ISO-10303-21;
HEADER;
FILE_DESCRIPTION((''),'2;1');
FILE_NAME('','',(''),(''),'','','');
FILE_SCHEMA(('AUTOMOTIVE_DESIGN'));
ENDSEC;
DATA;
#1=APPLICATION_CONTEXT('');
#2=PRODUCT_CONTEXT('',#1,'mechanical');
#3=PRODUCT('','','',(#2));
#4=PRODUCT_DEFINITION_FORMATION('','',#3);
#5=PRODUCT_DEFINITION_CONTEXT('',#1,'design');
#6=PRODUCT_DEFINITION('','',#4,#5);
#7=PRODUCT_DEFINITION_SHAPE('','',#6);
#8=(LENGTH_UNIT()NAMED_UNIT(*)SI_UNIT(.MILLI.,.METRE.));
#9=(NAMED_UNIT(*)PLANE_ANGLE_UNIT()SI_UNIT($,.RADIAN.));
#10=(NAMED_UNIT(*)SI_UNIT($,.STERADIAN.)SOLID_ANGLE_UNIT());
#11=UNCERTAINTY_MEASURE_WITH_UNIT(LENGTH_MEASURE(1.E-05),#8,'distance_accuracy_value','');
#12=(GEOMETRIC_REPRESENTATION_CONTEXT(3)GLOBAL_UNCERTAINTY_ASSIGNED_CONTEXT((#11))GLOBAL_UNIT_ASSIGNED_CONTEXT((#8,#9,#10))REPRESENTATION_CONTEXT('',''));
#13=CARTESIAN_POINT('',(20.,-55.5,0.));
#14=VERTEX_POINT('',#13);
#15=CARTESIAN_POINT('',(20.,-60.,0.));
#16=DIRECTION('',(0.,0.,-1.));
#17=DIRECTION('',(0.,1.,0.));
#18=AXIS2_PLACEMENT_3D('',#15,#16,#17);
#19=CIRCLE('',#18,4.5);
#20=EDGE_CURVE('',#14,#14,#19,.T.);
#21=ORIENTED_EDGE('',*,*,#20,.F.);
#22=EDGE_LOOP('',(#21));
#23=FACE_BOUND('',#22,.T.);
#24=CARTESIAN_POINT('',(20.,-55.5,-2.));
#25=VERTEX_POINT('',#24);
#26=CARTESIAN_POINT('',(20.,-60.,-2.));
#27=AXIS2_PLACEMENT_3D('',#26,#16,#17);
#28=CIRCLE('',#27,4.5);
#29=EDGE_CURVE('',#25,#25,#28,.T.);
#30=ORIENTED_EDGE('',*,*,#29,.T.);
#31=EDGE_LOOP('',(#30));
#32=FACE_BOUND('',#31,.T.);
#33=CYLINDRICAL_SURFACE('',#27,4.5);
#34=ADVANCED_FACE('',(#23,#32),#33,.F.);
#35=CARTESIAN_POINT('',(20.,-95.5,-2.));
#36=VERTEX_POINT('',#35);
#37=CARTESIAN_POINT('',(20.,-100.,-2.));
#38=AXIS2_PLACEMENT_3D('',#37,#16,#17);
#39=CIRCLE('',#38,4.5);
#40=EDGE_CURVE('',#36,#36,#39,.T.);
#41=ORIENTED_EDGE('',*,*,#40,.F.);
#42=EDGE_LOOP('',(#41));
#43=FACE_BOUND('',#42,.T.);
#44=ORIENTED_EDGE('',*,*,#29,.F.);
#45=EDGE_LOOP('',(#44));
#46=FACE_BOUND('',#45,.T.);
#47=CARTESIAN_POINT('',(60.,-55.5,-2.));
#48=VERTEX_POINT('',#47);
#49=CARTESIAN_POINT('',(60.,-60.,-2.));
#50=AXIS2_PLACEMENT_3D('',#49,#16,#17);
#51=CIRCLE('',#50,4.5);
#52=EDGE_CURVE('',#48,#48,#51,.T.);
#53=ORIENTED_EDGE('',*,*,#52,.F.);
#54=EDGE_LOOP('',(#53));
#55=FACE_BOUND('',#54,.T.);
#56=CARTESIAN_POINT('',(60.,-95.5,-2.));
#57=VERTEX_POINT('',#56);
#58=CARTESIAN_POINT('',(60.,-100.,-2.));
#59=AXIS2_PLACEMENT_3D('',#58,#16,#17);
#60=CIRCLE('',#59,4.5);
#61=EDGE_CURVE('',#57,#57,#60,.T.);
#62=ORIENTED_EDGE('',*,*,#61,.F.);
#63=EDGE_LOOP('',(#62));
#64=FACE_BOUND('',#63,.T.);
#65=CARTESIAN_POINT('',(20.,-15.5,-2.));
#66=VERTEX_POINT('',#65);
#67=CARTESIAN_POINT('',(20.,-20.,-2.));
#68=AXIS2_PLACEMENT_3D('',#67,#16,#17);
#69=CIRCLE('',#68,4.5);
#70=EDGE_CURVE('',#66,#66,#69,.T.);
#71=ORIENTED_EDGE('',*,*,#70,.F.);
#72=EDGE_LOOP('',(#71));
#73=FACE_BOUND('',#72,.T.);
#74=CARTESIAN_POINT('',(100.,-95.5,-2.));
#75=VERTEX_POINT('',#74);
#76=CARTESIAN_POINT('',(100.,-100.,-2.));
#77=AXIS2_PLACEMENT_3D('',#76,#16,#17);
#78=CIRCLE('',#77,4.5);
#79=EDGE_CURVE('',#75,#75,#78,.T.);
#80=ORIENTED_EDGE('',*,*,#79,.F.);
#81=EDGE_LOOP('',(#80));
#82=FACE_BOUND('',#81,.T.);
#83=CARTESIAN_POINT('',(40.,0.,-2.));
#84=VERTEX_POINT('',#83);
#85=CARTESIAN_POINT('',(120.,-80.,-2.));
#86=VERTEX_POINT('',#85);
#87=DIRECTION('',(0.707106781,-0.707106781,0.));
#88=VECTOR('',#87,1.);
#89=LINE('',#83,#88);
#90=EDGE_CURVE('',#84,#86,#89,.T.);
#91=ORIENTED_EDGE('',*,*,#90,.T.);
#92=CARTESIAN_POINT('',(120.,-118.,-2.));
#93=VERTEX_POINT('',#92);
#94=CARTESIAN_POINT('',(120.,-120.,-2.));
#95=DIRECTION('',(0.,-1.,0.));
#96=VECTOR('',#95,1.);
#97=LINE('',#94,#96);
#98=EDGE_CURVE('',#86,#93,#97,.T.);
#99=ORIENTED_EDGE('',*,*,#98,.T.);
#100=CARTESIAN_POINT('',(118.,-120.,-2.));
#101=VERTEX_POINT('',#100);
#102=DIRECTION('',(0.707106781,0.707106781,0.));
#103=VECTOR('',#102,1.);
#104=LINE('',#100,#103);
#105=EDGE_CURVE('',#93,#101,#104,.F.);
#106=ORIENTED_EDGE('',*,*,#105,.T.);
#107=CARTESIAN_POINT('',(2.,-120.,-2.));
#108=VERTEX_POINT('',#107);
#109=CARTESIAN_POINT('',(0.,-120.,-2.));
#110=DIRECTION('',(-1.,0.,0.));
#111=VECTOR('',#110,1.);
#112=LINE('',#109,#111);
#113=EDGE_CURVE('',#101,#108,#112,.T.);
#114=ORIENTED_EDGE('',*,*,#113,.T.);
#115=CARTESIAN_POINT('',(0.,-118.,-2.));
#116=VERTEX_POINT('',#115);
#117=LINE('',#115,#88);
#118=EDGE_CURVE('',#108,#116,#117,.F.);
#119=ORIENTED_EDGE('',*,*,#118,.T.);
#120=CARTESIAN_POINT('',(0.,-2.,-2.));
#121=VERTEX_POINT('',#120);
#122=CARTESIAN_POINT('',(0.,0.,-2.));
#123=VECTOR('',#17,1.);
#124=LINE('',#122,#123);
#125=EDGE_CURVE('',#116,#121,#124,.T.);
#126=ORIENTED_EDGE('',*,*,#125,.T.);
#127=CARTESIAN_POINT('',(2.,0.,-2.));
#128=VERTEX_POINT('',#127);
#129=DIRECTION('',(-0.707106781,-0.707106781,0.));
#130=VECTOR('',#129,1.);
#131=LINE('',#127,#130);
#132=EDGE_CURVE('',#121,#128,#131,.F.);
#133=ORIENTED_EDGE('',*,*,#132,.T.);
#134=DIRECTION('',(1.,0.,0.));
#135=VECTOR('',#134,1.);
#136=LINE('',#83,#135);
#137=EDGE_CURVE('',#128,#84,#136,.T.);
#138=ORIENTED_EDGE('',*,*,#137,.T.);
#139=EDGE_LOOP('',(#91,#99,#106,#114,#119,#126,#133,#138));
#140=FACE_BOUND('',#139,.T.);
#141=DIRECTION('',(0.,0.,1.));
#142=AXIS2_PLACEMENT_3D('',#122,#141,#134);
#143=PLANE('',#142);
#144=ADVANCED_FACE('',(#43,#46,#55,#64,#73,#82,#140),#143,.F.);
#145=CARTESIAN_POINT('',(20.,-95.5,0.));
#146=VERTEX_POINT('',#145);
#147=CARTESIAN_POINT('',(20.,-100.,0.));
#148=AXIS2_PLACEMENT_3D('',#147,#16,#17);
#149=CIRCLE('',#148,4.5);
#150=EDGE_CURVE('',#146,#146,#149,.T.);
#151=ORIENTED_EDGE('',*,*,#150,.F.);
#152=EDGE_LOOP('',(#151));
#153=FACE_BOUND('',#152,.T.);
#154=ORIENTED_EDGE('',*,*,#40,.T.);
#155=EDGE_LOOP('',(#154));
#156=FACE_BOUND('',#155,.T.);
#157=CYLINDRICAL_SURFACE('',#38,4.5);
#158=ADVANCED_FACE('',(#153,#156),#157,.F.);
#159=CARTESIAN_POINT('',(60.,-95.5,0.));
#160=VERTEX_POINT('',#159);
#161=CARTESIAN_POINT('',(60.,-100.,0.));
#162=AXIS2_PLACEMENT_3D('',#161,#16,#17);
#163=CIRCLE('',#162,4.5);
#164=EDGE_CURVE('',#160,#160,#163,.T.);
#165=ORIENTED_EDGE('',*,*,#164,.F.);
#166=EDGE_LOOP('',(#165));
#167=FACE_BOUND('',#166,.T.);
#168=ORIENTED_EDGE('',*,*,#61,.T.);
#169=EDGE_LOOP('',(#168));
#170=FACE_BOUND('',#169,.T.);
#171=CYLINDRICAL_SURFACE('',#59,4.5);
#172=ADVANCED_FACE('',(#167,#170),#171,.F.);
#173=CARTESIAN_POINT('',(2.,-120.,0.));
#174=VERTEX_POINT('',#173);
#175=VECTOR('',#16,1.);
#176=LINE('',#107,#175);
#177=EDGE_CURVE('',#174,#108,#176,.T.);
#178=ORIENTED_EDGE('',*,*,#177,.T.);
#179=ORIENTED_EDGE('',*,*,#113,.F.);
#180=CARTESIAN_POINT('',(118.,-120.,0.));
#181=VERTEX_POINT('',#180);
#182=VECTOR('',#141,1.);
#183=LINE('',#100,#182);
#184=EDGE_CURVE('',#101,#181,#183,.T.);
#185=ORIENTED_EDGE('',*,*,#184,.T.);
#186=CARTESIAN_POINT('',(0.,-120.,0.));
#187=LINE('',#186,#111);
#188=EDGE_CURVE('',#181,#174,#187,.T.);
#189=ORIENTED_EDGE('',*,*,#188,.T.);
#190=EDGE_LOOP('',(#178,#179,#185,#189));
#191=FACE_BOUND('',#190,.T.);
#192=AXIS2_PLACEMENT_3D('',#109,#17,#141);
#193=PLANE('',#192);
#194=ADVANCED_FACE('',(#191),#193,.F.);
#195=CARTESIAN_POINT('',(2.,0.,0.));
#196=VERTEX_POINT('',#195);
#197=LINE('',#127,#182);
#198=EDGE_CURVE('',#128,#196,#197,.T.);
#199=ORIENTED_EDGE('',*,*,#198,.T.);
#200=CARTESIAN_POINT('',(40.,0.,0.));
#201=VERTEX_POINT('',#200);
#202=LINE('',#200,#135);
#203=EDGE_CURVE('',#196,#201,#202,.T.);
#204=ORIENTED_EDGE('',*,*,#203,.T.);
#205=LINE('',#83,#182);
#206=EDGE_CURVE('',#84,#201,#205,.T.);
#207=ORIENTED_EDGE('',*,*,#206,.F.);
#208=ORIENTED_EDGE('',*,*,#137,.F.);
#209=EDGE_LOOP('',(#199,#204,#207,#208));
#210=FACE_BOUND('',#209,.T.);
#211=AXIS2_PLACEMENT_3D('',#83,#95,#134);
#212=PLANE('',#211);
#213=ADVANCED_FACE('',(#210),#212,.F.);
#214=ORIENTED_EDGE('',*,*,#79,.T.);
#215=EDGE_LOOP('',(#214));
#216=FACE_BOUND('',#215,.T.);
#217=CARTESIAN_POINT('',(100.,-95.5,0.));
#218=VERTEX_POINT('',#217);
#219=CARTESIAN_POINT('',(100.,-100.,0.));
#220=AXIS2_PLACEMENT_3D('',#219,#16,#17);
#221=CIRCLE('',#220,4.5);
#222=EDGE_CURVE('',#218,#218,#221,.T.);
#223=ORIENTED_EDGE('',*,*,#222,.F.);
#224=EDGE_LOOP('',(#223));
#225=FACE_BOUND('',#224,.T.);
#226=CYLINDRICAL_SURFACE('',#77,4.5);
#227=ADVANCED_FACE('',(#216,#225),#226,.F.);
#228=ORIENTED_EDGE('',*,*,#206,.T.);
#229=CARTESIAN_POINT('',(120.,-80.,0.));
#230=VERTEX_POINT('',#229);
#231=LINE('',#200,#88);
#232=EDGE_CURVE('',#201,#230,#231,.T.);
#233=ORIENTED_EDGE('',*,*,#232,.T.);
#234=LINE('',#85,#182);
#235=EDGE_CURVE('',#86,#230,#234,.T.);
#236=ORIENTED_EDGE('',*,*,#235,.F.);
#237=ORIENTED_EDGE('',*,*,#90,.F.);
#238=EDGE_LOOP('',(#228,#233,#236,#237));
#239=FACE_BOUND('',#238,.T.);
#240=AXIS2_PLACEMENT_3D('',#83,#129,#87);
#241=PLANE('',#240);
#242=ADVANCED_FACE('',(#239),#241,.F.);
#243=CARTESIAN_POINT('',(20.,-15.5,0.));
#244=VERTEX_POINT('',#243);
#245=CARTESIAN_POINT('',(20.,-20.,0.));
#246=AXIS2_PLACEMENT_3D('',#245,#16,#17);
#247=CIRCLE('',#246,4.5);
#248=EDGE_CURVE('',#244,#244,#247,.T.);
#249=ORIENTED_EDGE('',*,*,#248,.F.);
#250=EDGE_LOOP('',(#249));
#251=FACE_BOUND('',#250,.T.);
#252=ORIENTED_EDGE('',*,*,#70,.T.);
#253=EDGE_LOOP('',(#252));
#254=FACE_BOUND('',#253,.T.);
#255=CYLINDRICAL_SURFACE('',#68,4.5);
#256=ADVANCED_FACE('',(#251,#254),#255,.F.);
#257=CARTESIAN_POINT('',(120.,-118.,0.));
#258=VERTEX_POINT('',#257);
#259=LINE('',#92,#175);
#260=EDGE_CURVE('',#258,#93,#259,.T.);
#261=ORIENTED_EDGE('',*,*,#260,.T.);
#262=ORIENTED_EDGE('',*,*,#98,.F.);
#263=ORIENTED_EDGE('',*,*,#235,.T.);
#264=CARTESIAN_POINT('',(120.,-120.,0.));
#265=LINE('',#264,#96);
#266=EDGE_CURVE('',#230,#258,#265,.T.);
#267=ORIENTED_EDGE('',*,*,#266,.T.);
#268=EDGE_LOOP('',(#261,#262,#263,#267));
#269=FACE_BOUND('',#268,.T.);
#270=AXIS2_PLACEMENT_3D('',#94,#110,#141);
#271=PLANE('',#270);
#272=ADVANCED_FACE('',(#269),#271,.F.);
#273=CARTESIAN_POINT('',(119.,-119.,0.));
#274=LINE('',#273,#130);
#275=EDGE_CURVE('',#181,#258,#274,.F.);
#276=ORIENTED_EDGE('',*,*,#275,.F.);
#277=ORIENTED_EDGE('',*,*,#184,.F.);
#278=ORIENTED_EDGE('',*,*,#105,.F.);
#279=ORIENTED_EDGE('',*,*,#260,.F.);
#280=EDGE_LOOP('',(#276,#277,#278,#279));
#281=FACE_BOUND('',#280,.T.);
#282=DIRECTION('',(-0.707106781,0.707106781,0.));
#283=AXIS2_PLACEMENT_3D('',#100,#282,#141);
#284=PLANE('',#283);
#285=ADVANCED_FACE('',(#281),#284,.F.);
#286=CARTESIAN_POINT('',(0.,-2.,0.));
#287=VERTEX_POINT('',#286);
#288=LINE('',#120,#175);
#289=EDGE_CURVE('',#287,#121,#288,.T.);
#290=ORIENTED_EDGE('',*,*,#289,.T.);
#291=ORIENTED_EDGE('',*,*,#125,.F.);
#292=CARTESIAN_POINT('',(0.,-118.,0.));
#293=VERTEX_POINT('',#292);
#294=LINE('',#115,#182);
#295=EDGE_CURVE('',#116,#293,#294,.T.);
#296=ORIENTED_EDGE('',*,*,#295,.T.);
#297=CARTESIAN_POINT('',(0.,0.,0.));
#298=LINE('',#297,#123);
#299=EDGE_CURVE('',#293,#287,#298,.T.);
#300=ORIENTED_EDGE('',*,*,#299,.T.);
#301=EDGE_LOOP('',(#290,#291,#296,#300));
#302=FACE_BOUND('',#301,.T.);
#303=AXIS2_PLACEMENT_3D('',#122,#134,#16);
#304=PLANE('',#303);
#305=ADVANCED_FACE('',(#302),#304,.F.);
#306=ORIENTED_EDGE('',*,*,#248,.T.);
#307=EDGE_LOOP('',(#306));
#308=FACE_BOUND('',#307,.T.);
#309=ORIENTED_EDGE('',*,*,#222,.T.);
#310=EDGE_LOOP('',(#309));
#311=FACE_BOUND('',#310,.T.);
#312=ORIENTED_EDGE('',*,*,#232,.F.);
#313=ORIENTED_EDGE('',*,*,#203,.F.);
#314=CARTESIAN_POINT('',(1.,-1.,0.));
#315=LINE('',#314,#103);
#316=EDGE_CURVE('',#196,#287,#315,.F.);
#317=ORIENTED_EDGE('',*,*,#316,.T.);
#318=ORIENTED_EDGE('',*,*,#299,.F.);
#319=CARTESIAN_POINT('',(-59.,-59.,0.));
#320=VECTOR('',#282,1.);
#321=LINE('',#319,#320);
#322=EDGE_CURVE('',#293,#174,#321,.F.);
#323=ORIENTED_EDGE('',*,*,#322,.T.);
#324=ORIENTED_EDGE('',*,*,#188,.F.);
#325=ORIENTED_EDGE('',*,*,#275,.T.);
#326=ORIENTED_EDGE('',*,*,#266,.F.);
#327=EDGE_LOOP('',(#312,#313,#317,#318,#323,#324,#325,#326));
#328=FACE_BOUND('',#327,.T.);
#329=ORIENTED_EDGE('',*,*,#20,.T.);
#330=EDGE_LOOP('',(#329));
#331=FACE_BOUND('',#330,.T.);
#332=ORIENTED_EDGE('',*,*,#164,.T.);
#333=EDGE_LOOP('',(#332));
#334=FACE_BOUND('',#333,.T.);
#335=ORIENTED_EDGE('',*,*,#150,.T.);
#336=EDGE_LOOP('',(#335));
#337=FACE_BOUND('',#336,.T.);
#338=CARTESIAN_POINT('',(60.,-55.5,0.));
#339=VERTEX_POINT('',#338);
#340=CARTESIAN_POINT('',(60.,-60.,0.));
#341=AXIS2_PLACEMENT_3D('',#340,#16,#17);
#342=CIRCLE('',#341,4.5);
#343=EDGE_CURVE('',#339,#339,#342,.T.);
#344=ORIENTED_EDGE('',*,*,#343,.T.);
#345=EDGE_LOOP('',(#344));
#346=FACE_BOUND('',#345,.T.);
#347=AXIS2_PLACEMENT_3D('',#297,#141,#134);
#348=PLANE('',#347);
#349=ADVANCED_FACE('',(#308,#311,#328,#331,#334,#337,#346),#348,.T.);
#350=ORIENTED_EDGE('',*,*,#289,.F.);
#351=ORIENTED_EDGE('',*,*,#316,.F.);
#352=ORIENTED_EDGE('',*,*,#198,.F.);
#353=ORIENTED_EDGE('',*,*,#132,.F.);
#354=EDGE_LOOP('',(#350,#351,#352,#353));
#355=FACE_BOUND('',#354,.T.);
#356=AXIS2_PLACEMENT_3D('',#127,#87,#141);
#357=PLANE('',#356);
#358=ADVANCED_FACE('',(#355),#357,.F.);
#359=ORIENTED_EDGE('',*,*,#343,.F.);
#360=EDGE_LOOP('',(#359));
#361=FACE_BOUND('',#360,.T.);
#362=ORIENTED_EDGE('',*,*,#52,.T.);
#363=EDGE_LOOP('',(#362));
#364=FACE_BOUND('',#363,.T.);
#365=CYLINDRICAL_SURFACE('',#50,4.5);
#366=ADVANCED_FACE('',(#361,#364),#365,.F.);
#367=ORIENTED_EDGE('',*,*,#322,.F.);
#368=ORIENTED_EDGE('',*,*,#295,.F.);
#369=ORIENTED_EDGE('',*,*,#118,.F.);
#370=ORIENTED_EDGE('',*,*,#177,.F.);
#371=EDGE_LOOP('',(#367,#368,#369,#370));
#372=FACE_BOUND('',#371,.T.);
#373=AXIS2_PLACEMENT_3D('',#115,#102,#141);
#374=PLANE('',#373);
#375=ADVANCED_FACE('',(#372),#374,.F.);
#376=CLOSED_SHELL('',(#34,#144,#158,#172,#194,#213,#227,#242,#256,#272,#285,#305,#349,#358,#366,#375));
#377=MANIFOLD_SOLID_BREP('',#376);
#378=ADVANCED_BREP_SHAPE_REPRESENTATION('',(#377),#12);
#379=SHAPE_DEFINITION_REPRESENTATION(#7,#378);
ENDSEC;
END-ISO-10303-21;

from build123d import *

# Parameters (mm, degrees)
EXTRUDE_1_DEPTH   = 2
HOLE_WIZARD_M81_D = 9
CHAMFER_1_SIZE    = 2


with BuildPart() as part:
    # Эскиз1 → Бобышка-Вытянуть1 (new body)
    with BuildSketch(Plane(origin=(0, 0, 0), x_dir=(1, 0, 0), z_dir=(0, 0, -1))):
        Polygon((0, 0), (0, 120), (120, 120), (120, 80), (40, 0), align=None)
    extrude(amount=EXTRUDE_1_DEPTH)

    # Отверстие с зазором M81 (through all)
    with Locations(Plane(origin=(0, 0, -2), x_dir=(1, 0, 0), z_dir=(0, 0, -1))):
        with Locations((60, 100), (20, 100), (20, 60), (20, 20), (100, 100), (60, 60)):
            Hole(HOLE_WIZARD_M81_D / 2)

    # Фаска1
    chamfer_1_edges = [part.edges().sort_by_distance(p)[0] for p in [
        (0, 0, -1),
        (0, -120, -1),
        (120, -120, -1),
    ]]
    chamfer(chamfer_1_edges, length=CHAMFER_1_SIZE)


solid = part.part
